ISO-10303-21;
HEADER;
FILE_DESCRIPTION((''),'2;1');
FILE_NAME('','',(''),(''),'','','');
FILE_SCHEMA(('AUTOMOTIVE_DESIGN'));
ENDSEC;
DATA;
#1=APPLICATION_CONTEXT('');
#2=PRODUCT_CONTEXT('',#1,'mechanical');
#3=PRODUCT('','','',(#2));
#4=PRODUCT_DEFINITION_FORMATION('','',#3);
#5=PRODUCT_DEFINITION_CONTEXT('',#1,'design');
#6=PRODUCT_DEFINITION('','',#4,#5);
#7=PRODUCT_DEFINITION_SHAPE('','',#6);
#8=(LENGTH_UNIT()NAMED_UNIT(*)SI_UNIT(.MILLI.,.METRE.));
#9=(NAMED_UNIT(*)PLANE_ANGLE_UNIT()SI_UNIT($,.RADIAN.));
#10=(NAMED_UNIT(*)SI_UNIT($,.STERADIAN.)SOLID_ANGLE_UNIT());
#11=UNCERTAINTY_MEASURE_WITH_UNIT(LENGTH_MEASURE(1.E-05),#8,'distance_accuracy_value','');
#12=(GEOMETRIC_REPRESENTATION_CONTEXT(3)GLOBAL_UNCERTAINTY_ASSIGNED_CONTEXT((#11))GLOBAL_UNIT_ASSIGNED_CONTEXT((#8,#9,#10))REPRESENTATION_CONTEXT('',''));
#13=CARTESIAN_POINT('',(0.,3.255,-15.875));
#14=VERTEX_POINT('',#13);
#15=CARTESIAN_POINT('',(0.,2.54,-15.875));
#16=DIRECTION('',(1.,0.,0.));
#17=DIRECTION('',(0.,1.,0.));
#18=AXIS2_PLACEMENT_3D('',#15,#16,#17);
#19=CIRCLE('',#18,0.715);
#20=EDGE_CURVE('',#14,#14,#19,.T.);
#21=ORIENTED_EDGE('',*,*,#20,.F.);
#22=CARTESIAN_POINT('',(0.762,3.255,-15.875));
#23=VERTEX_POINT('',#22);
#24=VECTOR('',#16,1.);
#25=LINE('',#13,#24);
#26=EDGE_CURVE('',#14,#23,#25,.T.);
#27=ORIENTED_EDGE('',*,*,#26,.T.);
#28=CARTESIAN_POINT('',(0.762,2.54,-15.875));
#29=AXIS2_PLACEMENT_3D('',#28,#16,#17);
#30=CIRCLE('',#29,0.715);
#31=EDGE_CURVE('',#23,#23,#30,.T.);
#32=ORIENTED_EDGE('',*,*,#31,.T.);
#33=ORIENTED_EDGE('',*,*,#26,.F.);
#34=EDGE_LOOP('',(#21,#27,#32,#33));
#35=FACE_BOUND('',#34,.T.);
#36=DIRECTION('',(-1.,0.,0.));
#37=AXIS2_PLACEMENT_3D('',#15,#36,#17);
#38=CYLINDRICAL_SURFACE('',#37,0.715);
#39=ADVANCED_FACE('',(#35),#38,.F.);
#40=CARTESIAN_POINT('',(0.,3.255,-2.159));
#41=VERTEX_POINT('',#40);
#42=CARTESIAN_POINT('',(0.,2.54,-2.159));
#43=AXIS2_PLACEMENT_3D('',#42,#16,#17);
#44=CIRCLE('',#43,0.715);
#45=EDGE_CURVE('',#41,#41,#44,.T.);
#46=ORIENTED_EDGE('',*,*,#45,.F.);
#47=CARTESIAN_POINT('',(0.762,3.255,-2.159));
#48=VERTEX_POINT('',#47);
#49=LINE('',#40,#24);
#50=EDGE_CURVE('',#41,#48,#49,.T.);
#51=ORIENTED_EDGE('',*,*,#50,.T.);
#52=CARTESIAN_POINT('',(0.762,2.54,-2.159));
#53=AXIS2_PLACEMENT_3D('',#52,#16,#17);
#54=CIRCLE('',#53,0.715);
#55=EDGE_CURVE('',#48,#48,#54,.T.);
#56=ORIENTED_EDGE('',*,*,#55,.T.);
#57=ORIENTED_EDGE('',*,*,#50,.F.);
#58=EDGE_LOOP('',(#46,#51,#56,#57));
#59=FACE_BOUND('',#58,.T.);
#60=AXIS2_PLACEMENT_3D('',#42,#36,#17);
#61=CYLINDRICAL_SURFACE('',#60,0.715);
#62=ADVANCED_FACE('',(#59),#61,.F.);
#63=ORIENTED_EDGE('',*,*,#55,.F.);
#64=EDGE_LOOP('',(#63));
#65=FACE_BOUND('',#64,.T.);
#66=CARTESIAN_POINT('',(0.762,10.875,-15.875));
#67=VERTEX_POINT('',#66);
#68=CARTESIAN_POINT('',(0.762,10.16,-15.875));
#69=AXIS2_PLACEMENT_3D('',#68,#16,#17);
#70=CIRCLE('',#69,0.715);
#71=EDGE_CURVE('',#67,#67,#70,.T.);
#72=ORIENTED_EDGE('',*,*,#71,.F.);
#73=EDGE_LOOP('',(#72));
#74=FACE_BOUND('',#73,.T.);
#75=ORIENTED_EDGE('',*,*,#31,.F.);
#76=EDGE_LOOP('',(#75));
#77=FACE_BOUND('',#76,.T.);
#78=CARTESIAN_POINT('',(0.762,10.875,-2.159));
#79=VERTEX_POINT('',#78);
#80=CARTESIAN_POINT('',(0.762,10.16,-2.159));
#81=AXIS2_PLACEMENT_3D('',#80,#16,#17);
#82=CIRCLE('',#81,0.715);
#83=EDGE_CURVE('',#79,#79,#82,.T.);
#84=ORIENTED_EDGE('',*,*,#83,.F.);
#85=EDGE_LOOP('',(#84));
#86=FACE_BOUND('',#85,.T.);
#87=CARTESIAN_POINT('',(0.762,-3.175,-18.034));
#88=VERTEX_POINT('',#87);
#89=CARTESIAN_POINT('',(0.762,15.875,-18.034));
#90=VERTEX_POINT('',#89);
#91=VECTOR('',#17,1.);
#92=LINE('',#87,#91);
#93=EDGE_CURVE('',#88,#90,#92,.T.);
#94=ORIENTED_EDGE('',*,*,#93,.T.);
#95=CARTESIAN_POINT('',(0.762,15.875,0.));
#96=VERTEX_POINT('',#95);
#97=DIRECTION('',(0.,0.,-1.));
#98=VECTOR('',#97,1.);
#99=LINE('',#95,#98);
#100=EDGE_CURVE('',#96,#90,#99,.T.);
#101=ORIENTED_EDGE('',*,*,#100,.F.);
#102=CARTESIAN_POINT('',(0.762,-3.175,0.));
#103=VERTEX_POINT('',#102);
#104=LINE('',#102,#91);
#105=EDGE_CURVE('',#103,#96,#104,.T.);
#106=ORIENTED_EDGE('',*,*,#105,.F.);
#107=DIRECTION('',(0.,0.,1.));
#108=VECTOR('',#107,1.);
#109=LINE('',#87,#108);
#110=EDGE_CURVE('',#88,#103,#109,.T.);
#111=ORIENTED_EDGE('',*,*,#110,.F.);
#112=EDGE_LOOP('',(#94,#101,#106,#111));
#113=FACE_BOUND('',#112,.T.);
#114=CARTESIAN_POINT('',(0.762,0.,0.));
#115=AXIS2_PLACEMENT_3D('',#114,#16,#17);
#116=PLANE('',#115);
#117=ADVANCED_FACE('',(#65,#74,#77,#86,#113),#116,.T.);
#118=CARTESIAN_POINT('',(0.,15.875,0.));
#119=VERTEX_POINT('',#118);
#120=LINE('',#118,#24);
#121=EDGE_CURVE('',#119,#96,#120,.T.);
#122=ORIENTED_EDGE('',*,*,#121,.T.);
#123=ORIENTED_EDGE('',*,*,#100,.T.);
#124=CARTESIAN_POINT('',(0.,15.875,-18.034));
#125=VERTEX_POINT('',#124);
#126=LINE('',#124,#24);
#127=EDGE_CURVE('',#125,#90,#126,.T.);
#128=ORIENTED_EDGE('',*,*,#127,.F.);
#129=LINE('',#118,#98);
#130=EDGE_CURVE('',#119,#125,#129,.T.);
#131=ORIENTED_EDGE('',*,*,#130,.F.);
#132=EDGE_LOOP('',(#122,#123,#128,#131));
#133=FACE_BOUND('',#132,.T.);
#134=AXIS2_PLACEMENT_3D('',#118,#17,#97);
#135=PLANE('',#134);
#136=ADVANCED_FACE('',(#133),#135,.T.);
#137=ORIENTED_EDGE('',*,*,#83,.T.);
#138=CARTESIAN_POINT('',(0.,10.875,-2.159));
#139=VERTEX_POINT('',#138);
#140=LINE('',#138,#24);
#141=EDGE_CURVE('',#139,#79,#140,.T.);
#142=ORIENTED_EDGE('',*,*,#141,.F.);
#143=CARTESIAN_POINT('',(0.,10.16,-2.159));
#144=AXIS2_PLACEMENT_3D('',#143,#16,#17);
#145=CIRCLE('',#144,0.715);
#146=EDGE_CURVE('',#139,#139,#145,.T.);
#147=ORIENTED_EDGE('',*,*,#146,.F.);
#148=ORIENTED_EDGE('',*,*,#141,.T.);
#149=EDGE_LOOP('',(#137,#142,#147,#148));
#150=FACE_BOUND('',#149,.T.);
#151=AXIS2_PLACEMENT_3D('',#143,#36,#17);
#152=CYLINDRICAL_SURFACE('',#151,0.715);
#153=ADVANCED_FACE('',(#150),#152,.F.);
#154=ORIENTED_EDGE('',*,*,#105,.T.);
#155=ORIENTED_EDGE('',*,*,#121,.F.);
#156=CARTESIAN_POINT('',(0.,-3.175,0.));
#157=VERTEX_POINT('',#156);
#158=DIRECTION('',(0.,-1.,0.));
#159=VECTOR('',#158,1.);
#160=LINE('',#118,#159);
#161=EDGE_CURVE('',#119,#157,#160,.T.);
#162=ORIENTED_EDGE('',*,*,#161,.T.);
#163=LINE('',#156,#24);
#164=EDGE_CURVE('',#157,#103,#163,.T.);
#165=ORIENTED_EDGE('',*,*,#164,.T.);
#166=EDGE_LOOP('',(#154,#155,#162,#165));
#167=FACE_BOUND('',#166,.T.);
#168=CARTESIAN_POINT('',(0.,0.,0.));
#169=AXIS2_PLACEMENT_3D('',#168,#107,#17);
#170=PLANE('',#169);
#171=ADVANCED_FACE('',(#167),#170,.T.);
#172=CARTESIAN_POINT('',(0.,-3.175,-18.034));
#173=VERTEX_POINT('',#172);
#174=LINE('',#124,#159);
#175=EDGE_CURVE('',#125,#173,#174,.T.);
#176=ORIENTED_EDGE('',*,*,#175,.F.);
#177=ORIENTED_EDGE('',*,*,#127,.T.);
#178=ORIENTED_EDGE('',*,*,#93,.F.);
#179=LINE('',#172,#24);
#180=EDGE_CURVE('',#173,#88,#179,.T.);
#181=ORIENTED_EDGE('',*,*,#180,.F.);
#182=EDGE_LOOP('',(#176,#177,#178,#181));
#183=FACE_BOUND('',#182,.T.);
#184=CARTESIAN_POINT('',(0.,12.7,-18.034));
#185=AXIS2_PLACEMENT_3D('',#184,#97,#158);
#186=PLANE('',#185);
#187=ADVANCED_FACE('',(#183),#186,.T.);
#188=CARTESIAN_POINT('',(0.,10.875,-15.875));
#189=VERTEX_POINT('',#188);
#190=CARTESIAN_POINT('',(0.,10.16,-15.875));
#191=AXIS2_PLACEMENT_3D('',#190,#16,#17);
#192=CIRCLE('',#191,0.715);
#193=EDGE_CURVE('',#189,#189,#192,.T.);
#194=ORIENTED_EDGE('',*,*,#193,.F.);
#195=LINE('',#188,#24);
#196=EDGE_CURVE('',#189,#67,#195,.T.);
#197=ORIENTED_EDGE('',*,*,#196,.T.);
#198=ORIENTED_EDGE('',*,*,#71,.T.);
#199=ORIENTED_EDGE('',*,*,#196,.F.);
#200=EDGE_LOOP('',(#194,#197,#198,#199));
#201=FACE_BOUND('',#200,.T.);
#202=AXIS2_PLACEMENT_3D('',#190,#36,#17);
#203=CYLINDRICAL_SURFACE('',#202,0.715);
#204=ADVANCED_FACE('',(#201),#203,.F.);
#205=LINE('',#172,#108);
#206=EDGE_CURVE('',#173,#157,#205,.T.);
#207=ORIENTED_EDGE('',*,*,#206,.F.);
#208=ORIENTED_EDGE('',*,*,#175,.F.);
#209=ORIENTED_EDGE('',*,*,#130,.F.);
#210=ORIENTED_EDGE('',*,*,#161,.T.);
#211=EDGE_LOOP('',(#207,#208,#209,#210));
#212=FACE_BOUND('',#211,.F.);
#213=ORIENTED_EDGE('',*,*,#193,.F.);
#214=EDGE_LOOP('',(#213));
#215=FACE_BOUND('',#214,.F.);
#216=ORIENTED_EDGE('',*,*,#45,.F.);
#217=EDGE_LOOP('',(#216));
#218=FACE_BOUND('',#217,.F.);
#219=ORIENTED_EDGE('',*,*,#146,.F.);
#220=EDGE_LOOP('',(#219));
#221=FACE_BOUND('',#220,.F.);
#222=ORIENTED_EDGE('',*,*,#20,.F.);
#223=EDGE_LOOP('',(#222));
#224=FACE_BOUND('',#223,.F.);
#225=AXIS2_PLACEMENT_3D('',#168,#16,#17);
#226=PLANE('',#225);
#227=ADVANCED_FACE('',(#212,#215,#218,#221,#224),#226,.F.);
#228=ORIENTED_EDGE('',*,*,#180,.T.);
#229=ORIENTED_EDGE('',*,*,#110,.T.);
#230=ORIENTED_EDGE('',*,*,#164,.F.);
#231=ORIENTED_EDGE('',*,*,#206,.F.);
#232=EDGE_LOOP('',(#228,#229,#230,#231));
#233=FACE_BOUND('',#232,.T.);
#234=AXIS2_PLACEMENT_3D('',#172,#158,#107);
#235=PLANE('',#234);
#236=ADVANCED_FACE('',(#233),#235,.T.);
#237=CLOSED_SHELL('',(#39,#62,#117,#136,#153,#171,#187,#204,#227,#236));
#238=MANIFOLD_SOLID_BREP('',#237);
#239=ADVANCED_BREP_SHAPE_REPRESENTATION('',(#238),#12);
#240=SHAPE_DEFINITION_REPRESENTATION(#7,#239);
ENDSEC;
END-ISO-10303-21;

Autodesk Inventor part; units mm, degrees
ref_plane "YZ Plane" through (0, 0, 0) normal (1, 0, 0) x (0, 1, 0)
ref_plane "XZ Plane" through (0, 0, 0) normal (0, 1, 0) x (-1, 0, 0)
ref_plane "XY Plane" through (0, 0, 0) normal (0, 0, 1) x (1, 0, 0)
sketch "Sketch1" plane through (0, 0, 0) normal (1, 0, 0) x (0, 1, 0)
  line L0 (0, 0) -> (12.7, 0)
  line L1 (12.7, 0) -> (12.7, -18.034)
  line L2 (12.7, -18.034) -> (0, -18.034)
  line L3 (0, -18.034) -> (0, 0)
  line L4 (-3.175, 0) -> (15.875, 0)
  line L5 (15.875, 0) -> (15.875, -18.034)
  line L6 (15.875, -18.034) -> (-3.175, -18.034)
  line L7 (-3.175, -18.034) -> (-3.175, 0)
  arc A0 (5.935, -6.3583) -> (6.765, -6.3583) centre (6.35, -9.906) ccw
  circle A1 centre (2.54, -15.875) radius 0.715
  circle A2 centre (2.54, -2.159) radius 0.715
  circle A3 centre (10.16, -2.159) radius 0.715
  circle A4 centre (10.16, -15.875) radius 0.715
  arc A5 (6.765, -6.3583) -> (5.935, -6.3583) centre (6.35, -4.826) ccw
  point P0 (6.35, 0)
  dimension "d0" = 12.7
  dimension "d1" = 18.034
  dimension "d2" = 19.05
  dimension "d3" = 3.175
  dimension "d4" = 7.1437
  dimension "d5" = 1.43
  dimension "d9" = 13.716
  dimension "d10" = 7.62
  dimension "d11" = 7.62
  dimension "d12" = 13.716
  dimension "d13" = 2.54
  dimension "d14" = 9.906
  dimension "d15" = 3.175
  dimension "d17" = 5.08
  dimension "d20" = 2.159
extrude "Extrusion1" add sketch "Sketch1" along normal blind 0.762 contours L0 L1 L2 L3 | L3 L6 L7 L4 | L4 L5 L6 L1 | A5 A0
properties part number "Base Bottom"
